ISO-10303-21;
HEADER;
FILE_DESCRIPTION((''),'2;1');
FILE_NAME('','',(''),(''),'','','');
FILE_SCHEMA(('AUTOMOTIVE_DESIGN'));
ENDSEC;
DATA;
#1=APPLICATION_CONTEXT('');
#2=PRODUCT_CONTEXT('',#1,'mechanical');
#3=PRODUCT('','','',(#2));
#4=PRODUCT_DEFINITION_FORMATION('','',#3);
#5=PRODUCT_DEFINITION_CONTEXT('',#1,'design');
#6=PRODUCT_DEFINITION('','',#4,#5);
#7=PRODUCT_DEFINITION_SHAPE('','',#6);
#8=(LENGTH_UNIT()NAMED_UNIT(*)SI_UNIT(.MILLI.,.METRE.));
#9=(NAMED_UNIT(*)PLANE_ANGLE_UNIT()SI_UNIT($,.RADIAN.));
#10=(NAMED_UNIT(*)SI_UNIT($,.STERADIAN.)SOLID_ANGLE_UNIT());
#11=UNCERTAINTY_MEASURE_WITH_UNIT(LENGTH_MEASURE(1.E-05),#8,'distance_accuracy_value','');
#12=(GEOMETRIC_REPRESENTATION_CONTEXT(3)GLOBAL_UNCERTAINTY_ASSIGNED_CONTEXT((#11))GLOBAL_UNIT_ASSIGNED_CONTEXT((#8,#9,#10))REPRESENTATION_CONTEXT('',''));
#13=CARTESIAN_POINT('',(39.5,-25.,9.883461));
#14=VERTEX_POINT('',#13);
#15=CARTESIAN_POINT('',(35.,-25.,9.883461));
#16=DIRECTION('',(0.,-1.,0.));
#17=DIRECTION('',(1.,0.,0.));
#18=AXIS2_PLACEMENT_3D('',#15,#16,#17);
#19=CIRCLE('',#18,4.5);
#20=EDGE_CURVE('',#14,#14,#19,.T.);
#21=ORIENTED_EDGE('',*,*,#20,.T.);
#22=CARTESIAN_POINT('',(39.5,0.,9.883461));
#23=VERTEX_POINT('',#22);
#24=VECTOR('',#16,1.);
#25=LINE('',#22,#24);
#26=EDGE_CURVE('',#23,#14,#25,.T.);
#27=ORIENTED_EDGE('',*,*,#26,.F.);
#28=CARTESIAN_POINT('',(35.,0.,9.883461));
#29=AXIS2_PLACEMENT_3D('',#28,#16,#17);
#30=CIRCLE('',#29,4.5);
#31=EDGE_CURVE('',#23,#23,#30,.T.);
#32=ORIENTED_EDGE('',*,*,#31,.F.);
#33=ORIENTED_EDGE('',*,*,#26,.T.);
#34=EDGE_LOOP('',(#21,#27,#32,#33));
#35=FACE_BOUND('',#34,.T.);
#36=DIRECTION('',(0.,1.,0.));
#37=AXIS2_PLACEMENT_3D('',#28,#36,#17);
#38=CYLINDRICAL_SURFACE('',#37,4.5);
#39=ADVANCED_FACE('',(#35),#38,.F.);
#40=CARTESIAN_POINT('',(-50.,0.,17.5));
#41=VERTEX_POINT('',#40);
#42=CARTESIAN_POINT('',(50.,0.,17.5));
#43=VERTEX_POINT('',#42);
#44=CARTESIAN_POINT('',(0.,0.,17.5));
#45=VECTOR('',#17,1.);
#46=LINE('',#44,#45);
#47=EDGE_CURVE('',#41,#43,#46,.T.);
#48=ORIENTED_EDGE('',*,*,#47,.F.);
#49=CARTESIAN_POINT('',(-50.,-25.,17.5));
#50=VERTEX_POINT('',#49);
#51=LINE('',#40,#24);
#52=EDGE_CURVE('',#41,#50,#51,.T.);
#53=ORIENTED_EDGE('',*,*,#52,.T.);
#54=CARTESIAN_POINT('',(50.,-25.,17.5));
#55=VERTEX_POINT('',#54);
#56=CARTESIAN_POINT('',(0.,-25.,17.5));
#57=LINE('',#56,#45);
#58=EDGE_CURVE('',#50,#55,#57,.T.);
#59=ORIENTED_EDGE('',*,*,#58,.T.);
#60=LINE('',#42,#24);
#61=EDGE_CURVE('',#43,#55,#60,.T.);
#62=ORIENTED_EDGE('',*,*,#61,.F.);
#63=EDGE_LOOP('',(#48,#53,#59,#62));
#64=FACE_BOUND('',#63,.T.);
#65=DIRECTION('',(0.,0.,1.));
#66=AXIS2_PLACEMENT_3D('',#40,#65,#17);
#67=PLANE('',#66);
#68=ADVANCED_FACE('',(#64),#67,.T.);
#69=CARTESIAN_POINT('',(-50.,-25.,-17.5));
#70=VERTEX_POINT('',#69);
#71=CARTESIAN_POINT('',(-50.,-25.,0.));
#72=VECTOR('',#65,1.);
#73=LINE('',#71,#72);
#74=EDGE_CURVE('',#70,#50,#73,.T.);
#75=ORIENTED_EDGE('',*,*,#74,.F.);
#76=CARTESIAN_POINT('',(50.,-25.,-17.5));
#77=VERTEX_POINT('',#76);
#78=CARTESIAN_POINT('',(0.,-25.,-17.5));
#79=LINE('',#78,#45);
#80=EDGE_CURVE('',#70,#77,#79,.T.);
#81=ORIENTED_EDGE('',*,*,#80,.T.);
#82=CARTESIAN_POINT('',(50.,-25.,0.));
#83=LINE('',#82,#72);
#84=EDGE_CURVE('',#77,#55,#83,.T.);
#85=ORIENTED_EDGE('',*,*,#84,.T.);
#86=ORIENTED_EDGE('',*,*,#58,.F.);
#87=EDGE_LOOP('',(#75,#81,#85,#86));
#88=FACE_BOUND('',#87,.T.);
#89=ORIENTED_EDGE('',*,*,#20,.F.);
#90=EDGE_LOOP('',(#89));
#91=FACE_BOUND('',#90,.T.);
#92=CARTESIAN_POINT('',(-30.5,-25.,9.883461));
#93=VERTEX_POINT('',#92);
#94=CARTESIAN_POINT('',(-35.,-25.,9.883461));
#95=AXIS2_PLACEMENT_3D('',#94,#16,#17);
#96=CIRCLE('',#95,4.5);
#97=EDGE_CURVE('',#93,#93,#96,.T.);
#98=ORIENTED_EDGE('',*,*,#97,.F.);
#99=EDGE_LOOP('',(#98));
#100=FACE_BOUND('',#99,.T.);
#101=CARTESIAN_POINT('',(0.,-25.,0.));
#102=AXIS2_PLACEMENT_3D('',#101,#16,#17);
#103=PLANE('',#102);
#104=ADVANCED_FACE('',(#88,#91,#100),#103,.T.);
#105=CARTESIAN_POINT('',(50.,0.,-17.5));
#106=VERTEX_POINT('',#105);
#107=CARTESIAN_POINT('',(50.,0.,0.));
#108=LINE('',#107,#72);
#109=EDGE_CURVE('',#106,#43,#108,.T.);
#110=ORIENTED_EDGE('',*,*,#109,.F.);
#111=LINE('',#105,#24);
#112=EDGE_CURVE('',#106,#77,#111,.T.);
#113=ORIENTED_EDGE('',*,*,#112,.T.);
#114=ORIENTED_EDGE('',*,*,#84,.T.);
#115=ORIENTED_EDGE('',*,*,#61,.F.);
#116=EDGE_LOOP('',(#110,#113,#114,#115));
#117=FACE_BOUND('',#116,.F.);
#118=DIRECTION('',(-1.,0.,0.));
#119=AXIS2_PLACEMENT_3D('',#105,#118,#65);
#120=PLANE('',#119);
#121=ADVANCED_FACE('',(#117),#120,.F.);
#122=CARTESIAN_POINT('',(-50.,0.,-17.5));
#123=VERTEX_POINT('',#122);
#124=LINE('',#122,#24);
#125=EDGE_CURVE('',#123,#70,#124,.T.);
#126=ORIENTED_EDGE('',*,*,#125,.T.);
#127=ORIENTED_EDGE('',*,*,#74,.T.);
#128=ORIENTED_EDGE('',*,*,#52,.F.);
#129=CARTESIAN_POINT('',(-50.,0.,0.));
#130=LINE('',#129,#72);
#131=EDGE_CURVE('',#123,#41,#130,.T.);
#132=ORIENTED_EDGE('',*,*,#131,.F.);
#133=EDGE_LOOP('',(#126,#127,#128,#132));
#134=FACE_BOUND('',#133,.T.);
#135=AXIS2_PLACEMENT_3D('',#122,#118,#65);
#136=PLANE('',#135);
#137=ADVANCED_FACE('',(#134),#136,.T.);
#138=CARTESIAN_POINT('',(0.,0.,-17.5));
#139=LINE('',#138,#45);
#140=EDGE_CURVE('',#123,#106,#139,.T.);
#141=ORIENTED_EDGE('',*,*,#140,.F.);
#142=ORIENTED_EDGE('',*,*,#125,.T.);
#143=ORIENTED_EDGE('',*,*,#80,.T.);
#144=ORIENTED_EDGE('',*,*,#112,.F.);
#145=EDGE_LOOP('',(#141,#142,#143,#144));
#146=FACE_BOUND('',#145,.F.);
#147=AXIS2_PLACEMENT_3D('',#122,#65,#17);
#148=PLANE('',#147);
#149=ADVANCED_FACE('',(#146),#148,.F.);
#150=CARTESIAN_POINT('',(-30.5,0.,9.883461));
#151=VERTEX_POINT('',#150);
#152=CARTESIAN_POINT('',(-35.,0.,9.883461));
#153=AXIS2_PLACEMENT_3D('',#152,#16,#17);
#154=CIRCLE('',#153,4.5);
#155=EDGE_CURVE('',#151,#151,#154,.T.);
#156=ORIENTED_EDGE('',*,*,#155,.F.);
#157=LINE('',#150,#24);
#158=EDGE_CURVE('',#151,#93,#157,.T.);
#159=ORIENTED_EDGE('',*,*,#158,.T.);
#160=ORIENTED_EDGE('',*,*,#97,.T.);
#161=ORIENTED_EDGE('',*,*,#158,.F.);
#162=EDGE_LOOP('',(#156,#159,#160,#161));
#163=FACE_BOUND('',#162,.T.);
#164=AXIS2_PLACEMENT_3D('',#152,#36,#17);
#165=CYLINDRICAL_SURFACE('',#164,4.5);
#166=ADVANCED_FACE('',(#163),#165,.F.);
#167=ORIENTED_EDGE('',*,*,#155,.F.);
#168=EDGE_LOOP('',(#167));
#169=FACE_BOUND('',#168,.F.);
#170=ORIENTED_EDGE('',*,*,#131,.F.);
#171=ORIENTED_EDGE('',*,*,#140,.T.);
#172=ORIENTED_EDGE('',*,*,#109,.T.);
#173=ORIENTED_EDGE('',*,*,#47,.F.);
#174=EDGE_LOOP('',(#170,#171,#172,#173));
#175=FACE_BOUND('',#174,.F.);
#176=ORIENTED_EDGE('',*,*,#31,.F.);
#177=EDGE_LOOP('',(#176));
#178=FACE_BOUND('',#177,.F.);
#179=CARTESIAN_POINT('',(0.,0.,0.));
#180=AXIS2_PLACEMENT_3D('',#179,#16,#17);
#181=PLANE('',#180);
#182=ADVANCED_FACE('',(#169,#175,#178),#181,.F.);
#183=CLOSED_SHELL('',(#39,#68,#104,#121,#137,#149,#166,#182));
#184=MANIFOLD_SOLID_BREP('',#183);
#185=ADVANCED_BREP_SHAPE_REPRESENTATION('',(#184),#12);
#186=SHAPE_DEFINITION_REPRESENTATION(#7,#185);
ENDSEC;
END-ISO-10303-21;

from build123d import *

# Parameters (mm, degrees)
F0_W     = 100
F0_H     = 35
F0_R     = 4.5
F1_DEPTH = 25


with BuildPart() as f1:
    # F0 (on Front) → F1 (new body)
    with BuildSketch(Plane.XZ):
        Rectangle(F0_W, F0_H)
        with Locations((-35, 9.883461)):
            Circle(F0_R, mode=Mode.SUBTRACT)
        with Locations((35, 9.883461)):
            Circle(F0_R, mode=Mode.SUBTRACT)
    extrude(amount=F1_DEPTH)


solid = f1.part
